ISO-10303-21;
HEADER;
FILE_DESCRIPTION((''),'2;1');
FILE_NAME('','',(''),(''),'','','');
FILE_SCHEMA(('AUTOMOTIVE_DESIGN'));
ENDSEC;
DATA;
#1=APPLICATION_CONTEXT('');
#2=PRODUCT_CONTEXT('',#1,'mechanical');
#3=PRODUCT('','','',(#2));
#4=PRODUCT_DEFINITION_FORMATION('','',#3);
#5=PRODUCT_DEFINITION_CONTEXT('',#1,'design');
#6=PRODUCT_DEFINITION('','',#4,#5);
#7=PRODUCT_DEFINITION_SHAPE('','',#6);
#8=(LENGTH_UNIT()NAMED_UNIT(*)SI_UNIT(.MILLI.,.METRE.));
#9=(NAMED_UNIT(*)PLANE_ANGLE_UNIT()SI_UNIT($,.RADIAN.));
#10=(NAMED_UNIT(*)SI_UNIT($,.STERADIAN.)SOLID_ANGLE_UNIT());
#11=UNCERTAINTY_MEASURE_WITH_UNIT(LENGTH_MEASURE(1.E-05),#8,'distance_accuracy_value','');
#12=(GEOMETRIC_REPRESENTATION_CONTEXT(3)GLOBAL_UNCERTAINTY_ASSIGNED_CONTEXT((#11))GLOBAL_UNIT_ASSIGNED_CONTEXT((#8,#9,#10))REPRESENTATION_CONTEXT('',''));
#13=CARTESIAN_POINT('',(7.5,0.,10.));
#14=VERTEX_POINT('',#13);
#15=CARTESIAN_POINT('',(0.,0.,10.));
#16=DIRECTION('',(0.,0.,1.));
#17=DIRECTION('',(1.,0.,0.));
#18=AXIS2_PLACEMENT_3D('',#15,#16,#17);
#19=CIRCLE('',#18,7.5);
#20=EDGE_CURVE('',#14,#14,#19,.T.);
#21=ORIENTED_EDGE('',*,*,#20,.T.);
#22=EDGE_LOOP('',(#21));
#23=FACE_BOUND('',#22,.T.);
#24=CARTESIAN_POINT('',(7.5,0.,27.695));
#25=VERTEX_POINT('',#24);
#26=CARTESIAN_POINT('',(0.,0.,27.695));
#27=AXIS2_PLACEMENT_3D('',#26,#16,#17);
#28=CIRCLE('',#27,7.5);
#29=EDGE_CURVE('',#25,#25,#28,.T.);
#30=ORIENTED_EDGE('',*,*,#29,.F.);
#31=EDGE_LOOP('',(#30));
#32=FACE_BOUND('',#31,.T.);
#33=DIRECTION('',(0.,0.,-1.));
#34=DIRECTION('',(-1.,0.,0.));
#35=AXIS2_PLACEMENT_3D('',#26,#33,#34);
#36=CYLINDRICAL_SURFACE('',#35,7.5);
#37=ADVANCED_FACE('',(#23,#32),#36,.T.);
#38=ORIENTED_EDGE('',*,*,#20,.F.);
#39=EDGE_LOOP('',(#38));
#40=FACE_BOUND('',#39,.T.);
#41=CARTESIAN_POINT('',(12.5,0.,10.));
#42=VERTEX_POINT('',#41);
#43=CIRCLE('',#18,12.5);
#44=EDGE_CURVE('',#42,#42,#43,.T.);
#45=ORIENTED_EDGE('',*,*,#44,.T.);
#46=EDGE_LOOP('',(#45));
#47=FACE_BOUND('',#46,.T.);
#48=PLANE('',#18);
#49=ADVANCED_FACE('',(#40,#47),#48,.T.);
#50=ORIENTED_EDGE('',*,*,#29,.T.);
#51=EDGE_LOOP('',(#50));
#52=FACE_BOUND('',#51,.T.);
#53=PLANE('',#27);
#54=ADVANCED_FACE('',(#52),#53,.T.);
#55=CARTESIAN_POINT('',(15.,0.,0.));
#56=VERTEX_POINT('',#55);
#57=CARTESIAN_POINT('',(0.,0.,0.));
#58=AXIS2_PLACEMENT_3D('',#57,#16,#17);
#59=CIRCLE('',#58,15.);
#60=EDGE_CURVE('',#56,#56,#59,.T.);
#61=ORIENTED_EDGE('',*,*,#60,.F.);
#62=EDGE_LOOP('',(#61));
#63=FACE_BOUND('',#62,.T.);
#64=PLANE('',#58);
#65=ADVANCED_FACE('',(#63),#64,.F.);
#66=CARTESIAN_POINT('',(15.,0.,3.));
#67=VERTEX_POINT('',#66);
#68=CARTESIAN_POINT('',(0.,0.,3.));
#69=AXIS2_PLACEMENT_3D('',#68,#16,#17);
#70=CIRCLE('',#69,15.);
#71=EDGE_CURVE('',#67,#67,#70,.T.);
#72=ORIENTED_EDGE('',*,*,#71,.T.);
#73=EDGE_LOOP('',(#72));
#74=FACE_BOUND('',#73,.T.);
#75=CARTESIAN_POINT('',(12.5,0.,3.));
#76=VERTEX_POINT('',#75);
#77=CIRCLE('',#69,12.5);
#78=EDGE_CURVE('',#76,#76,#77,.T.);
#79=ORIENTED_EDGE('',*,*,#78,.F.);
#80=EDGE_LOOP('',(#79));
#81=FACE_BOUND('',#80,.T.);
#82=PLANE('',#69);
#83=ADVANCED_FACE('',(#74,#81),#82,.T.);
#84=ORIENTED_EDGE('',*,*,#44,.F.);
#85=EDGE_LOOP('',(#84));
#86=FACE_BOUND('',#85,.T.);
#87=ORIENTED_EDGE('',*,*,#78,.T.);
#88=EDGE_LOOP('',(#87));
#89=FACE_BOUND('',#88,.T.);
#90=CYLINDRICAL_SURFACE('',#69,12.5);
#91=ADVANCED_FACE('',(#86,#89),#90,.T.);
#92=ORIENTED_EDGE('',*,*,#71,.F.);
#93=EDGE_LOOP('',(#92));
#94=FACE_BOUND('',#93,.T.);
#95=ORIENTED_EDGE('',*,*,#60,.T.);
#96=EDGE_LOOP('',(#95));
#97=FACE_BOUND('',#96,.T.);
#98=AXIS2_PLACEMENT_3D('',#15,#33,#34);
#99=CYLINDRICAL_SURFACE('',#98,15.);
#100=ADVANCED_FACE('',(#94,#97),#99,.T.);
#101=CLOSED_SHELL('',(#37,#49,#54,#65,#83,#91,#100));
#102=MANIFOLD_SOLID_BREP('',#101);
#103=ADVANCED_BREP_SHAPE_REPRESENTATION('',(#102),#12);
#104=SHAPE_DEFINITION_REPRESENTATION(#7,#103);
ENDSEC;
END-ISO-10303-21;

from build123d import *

# Parameters (mm, degrees)
SKETCH2_R           = 15
BOSS_EXTRUDE1_DEPTH = 10
CUT_EXTRUDE1_START  = -7
SKETCH3_R           = 15
SKETCH3_R_2         = 12.5
CUT_EXTRUDE1_DEPTH  = 7
SKETCH4_R           = 7.5
BOSS_EXTRUDE4_DEPTH = 17.695


with BuildPart() as part:
    # Sketch2 → Boss-Extrude1 (new body)
    with BuildSketch(Plane.XY):
        Circle(SKETCH2_R)
    extrude(amount=BOSS_EXTRUDE1_DEPTH)

    # Sketch3 → Cut-Extrude1 (cut)
    with BuildSketch(Plane.XY.offset(10).offset(CUT_EXTRUDE1_START)):
        Circle(SKETCH3_R)
        Circle(SKETCH3_R_2, mode=Mode.SUBTRACT)
    extrude(amount=CUT_EXTRUDE1_DEPTH, mode=Mode.SUBTRACT)

    # Sketch4 → Boss-Extrude4 (add)
    with BuildSketch(Plane.XY.offset(10)):
        Circle(SKETCH4_R)
    extrude(amount=BOSS_EXTRUDE4_DEPTH)


solid = part.part
